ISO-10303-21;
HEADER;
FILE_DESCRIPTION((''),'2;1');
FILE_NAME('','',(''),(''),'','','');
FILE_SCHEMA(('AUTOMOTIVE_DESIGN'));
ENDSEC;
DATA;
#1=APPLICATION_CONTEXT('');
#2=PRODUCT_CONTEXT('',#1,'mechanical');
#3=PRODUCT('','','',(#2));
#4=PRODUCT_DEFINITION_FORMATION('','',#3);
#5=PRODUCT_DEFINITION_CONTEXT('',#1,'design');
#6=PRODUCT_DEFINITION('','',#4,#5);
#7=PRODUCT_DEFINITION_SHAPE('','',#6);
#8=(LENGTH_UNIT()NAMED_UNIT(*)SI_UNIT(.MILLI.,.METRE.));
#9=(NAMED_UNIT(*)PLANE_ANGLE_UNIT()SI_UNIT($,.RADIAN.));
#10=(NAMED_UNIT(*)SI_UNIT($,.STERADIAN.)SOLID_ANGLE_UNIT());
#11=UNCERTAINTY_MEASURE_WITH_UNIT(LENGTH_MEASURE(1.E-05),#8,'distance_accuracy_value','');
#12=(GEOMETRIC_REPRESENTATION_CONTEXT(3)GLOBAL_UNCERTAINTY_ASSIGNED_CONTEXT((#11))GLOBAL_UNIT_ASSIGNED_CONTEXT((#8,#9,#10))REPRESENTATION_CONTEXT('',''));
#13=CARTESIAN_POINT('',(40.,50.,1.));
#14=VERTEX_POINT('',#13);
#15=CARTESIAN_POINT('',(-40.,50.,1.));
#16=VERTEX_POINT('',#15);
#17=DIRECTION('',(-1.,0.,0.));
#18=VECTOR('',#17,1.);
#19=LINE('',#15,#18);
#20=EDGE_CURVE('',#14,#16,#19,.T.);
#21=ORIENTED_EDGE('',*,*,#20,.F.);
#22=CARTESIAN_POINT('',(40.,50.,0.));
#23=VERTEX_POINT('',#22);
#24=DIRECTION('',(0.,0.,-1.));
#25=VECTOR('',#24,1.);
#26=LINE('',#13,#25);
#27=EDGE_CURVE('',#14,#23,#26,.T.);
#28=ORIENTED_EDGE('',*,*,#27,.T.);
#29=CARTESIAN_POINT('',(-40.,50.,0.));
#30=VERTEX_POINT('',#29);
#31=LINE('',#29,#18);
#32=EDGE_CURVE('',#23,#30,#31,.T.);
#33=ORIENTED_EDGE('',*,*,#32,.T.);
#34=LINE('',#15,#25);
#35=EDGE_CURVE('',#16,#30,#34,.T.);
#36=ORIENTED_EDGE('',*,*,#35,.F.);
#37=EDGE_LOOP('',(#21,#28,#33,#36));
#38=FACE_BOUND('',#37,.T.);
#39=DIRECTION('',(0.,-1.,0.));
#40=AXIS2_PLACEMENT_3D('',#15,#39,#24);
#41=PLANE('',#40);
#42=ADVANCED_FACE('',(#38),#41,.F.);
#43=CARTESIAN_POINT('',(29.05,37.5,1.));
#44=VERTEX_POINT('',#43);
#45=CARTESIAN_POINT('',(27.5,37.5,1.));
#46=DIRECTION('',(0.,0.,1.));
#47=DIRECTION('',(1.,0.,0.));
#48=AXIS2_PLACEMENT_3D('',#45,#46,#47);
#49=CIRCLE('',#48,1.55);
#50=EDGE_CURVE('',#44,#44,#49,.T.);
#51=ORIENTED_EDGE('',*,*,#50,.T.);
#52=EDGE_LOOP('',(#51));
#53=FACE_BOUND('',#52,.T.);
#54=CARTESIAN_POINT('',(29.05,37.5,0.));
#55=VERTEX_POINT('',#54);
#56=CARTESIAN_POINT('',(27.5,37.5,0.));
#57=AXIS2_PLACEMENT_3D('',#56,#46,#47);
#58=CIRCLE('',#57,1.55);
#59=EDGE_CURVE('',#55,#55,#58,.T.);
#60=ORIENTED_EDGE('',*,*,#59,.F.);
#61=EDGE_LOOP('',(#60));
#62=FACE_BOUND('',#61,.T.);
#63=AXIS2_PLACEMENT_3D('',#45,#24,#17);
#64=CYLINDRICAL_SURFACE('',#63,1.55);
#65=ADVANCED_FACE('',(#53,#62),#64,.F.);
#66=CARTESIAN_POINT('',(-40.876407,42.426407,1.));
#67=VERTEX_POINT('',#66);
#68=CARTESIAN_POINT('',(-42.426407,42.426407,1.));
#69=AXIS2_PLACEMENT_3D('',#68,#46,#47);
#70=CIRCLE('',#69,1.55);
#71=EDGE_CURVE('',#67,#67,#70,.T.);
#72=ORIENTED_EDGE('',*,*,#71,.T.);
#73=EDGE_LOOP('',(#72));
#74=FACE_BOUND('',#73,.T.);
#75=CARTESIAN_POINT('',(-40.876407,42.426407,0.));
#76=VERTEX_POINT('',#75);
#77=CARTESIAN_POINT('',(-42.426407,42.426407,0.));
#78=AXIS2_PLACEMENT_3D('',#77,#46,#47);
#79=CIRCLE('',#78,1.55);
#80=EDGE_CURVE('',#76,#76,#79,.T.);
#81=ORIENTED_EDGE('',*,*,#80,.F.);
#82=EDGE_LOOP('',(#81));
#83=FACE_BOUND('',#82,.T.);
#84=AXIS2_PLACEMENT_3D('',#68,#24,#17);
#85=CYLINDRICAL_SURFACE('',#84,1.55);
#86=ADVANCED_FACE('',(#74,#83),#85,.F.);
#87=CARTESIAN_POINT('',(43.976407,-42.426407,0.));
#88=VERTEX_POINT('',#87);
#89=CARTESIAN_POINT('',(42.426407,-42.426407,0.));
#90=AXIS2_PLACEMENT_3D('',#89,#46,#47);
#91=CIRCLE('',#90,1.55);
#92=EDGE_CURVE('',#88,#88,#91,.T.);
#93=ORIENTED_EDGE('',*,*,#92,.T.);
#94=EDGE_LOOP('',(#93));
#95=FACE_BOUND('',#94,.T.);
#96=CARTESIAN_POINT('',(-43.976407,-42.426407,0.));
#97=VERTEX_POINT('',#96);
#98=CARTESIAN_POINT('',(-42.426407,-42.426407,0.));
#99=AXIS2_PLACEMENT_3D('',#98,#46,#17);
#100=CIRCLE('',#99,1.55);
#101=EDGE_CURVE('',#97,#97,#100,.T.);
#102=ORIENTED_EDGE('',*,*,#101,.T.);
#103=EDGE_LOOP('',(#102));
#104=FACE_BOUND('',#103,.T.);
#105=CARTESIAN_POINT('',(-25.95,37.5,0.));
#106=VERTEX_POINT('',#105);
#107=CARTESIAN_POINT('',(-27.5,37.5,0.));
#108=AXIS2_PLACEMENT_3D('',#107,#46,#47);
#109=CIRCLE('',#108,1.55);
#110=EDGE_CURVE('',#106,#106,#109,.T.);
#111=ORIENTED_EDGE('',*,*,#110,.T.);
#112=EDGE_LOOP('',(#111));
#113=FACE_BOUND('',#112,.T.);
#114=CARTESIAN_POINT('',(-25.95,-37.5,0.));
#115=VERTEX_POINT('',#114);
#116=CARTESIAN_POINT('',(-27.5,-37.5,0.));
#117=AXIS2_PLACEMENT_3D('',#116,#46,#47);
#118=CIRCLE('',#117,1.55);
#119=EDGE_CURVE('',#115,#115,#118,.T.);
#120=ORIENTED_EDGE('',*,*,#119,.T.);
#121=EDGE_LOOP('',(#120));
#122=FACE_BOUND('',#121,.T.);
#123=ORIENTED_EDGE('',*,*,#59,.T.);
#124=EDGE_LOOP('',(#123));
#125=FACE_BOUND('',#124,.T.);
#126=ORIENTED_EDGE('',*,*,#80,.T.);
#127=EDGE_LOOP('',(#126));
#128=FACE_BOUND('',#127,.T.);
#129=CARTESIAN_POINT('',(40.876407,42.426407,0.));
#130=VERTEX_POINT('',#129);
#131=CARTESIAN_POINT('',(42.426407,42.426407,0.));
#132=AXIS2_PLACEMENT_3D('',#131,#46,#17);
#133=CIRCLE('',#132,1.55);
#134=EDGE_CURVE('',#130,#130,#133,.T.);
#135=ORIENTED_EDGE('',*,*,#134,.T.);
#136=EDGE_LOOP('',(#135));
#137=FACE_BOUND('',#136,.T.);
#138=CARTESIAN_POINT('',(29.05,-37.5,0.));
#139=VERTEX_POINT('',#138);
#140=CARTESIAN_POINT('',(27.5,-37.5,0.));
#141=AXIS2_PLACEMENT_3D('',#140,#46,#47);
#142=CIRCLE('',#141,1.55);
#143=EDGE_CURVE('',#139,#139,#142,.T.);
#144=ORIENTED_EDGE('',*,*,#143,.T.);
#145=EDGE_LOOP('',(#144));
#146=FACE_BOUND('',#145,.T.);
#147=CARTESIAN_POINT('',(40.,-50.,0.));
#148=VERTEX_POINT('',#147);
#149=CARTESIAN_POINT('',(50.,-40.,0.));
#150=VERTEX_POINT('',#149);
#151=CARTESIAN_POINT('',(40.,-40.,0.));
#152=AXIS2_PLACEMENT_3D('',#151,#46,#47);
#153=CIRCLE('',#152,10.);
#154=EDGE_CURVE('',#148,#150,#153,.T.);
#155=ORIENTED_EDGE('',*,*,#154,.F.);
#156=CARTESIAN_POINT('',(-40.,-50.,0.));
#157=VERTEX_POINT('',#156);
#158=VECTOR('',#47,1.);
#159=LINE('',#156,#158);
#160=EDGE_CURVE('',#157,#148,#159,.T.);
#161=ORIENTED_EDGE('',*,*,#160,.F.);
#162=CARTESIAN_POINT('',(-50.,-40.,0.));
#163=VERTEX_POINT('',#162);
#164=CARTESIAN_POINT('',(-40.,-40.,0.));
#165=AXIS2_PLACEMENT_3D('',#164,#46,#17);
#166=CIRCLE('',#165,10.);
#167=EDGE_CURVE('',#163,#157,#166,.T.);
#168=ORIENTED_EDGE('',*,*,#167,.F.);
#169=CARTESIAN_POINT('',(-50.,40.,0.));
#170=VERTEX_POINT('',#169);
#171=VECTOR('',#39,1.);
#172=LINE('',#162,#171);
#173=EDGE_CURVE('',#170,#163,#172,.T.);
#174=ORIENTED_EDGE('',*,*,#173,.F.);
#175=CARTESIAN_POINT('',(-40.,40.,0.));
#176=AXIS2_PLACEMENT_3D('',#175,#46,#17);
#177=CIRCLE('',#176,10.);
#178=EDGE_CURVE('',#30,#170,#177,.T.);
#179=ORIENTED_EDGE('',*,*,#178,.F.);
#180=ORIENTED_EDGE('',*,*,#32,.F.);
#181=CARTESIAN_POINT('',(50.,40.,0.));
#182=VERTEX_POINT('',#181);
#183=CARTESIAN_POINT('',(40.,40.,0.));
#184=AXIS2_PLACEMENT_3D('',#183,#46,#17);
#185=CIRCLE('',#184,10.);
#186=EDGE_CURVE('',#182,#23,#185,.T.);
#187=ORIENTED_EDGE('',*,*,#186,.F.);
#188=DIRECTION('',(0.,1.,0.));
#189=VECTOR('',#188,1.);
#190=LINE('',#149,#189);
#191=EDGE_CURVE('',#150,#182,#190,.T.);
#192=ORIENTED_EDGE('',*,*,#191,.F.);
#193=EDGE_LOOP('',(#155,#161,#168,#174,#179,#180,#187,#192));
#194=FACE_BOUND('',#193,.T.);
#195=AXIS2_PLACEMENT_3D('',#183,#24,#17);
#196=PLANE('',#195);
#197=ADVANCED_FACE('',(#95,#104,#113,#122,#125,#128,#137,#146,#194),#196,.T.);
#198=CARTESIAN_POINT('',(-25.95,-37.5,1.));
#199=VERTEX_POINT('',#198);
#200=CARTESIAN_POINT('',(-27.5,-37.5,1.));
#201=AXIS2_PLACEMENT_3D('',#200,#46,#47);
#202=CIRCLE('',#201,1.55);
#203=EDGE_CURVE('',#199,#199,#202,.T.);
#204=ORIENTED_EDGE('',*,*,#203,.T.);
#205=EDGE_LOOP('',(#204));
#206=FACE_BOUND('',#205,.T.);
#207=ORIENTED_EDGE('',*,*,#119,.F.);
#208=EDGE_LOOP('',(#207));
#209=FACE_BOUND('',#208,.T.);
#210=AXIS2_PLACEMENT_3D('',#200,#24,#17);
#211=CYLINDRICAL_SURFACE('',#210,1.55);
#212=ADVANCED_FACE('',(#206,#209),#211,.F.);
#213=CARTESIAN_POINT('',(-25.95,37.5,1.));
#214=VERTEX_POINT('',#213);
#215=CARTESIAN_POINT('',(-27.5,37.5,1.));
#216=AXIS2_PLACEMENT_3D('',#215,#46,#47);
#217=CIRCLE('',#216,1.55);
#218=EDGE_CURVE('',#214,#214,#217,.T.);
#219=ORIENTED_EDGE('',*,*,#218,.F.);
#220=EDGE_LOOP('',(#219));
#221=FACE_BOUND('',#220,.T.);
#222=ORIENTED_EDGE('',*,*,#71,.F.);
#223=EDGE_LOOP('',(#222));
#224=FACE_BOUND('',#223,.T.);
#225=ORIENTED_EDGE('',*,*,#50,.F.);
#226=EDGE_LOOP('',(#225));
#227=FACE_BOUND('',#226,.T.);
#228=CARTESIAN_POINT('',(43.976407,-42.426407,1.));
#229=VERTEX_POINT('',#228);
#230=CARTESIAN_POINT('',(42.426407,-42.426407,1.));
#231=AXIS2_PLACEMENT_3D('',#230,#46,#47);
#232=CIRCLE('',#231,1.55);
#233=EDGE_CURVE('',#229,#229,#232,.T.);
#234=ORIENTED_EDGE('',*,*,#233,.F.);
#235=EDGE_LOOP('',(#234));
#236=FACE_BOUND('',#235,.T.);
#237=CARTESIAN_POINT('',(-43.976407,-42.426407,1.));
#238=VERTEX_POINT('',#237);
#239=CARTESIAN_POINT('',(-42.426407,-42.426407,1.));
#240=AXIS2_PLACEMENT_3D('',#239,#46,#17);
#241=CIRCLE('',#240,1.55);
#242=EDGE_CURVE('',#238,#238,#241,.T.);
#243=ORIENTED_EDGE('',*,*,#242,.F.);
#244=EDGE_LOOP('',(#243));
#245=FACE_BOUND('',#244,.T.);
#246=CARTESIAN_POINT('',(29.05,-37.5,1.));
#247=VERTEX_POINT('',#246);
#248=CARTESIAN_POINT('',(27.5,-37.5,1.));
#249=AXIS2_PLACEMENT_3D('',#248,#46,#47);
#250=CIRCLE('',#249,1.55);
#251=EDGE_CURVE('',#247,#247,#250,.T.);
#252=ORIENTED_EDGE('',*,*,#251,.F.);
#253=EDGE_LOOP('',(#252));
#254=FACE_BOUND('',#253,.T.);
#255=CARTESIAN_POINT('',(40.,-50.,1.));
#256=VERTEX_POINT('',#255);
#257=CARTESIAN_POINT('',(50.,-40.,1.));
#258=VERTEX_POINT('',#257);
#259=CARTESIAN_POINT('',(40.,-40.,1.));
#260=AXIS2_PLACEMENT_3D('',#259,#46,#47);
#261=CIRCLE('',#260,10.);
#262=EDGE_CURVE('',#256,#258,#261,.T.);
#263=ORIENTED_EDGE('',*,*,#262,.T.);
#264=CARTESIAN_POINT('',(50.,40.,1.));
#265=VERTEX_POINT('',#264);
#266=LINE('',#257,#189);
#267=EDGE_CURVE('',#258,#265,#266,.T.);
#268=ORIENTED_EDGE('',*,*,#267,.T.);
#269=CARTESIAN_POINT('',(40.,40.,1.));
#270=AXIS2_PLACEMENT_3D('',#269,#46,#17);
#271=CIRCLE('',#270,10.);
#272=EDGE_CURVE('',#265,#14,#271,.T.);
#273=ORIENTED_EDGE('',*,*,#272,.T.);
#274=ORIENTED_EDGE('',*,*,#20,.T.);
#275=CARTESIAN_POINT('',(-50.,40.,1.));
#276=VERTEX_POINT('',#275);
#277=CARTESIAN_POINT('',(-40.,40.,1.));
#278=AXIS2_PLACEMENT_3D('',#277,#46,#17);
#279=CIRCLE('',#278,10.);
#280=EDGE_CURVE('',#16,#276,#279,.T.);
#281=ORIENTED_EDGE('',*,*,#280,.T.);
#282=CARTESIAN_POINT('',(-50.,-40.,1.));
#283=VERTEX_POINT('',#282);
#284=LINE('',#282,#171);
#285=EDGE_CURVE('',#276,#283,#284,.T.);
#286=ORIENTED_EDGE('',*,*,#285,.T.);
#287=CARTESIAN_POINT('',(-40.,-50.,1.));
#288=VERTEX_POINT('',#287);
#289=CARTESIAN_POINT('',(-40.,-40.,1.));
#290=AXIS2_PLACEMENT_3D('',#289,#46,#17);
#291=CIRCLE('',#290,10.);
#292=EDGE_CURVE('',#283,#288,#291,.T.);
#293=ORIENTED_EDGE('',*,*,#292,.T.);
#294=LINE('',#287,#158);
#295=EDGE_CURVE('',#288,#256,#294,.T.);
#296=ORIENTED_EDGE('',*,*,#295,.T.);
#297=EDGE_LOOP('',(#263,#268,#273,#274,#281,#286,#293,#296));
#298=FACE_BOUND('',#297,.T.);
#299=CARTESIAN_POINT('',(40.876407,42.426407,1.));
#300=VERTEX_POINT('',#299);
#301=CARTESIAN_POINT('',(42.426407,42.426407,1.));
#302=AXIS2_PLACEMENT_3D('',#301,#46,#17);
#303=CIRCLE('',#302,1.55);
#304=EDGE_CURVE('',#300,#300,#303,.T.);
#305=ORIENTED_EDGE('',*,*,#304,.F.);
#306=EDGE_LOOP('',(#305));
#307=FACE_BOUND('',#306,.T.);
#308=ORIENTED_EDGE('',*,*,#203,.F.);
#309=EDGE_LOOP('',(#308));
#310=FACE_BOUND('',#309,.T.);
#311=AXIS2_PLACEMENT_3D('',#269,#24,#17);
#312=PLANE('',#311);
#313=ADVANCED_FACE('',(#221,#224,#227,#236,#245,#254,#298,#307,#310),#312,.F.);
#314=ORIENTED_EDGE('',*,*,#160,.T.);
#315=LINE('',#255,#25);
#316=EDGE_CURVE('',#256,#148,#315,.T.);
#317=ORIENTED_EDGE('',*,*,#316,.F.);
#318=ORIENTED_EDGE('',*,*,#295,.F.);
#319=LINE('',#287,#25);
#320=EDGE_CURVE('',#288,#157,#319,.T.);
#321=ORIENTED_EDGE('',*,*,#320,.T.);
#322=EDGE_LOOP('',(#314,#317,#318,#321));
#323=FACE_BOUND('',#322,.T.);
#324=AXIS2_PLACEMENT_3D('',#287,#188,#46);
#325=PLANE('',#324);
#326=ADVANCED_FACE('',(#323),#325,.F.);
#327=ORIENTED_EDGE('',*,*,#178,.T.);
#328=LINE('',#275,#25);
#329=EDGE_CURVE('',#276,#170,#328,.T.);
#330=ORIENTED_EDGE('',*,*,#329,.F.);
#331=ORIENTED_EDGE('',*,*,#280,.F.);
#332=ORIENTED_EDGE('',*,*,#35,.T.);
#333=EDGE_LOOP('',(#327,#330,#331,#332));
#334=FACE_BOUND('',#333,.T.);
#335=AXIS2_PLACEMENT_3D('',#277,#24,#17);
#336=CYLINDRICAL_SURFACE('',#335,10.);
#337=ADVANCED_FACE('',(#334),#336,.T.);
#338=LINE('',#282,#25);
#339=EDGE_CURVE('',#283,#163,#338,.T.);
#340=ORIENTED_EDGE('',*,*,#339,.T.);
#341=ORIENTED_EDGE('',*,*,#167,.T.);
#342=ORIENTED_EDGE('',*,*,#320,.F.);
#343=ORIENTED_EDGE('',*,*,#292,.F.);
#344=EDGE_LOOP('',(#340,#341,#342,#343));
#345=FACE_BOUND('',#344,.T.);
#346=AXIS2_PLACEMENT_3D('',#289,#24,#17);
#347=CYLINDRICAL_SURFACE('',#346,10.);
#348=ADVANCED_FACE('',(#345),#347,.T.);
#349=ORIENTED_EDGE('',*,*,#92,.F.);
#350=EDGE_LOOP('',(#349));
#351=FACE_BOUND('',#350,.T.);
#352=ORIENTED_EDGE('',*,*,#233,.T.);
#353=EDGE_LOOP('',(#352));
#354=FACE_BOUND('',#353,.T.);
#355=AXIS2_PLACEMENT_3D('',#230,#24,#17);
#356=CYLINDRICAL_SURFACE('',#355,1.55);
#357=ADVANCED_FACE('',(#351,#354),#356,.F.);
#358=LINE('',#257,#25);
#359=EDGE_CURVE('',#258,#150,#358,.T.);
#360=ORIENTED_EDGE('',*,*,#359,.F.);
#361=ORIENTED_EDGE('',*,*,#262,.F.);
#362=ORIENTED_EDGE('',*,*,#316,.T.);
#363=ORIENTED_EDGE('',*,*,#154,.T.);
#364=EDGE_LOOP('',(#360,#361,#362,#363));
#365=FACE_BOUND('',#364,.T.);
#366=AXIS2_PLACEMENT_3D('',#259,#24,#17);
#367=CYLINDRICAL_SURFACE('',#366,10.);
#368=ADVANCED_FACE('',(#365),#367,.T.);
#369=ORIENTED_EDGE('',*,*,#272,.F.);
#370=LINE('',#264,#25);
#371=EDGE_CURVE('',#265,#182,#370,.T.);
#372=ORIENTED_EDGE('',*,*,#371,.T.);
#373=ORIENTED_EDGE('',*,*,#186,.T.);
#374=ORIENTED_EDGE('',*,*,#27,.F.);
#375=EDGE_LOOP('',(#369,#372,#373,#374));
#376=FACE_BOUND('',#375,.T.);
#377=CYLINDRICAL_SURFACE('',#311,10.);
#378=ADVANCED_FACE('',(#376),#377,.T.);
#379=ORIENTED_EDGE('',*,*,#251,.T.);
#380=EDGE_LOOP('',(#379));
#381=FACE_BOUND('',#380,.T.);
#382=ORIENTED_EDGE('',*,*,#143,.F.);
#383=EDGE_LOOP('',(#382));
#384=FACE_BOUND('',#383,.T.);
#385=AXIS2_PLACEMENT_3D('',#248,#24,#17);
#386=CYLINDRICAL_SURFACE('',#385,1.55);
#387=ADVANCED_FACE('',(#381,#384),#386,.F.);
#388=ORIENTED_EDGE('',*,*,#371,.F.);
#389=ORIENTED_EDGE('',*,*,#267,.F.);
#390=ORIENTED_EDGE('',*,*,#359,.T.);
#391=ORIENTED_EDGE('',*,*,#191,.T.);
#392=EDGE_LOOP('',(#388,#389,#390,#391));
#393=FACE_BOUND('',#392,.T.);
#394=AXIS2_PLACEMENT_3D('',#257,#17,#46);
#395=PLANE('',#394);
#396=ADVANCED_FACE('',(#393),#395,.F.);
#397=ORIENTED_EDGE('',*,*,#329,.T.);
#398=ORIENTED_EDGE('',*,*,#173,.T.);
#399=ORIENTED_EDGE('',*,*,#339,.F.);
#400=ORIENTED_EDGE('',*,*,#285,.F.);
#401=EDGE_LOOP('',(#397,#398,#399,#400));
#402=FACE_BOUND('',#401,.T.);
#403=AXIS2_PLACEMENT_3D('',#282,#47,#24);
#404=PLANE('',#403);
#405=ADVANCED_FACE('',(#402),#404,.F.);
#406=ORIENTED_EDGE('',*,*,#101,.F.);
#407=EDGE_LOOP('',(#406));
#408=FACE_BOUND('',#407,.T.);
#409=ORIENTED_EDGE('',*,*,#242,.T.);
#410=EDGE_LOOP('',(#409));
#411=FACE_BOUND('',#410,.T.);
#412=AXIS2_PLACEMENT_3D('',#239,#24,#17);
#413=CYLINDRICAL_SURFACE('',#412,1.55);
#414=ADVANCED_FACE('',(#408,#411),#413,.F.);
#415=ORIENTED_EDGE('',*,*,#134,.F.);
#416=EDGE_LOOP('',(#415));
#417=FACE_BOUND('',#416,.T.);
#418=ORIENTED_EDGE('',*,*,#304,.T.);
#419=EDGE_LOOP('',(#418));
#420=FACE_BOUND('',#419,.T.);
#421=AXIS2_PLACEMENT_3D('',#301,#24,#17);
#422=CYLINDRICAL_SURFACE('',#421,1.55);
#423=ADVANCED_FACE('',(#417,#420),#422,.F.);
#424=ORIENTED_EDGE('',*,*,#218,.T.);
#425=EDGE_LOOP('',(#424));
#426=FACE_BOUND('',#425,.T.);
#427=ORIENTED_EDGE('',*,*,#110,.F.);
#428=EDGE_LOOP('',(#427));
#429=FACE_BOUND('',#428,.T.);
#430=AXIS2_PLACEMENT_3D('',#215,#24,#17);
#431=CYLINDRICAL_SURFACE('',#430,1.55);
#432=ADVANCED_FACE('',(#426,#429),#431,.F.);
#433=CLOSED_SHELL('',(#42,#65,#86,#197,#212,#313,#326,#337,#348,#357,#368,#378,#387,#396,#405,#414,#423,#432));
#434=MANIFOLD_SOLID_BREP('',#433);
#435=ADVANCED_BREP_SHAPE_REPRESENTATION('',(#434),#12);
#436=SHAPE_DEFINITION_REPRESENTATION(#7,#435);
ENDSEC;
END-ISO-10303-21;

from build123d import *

# Parameters (mm, degrees)
SKETCH_1_R      = 1.55
EXTRUDE_1_DEPTH = 1


with BuildPart() as part:
    # 草图1 → 凸台-拉伸1 (new body)
    with BuildSketch(Plane.XY):
        with BuildLine():
            Line((-40, -50), (40, -50))
            ThreePointArc((40, -50), (47.071067812, -47.071067812), (50, -40))
            Line((50, -40), (50, 40))
            ThreePointArc((50, 40), (47.071067812, 47.071067812), (40, 50))
            Line((40, 50), (-40, 50))
            ThreePointArc((-40, 50), (-47.071067812, 47.071067812), (-50, 40))
            Line((-50, 40), (-50, -40))
            ThreePointArc((-50, -40), (-47.071067812, -47.071067812), (-40, -50))
        make_face()
        with Locations((-27.5, 37.5)):
            Circle(SKETCH_1_R, mode=Mode.SUBTRACT)
        with Locations((27.5, 37.5)):
            Circle(SKETCH_1_R, mode=Mode.SUBTRACT)
        with Locations((27.5, -37.5)):
            Circle(SKETCH_1_R, mode=Mode.SUBTRACT)
        with Locations((-27.5, -37.5)):
            Circle(SKETCH_1_R, mode=Mode.SUBTRACT)
        with Locations((-42.426406871, 42.426406871)):
            Circle(SKETCH_1_R, mode=Mode.SUBTRACT)
        with Locations(Location((42.426406871, 42.426406871, 0), (0, 0, 180))):
            Circle(SKETCH_1_R, mode=Mode.SUBTRACT)
        with Locations((42.426406871, -42.426406871)):
            Circle(SKETCH_1_R, mode=Mode.SUBTRACT)
        with Locations(Location((-42.426406871, -42.426406871, 0), (0, 0, 180))):
            Circle(SKETCH_1_R, mode=Mode.SUBTRACT)
    extrude(amount=EXTRUDE_1_DEPTH)


solid = part.part
